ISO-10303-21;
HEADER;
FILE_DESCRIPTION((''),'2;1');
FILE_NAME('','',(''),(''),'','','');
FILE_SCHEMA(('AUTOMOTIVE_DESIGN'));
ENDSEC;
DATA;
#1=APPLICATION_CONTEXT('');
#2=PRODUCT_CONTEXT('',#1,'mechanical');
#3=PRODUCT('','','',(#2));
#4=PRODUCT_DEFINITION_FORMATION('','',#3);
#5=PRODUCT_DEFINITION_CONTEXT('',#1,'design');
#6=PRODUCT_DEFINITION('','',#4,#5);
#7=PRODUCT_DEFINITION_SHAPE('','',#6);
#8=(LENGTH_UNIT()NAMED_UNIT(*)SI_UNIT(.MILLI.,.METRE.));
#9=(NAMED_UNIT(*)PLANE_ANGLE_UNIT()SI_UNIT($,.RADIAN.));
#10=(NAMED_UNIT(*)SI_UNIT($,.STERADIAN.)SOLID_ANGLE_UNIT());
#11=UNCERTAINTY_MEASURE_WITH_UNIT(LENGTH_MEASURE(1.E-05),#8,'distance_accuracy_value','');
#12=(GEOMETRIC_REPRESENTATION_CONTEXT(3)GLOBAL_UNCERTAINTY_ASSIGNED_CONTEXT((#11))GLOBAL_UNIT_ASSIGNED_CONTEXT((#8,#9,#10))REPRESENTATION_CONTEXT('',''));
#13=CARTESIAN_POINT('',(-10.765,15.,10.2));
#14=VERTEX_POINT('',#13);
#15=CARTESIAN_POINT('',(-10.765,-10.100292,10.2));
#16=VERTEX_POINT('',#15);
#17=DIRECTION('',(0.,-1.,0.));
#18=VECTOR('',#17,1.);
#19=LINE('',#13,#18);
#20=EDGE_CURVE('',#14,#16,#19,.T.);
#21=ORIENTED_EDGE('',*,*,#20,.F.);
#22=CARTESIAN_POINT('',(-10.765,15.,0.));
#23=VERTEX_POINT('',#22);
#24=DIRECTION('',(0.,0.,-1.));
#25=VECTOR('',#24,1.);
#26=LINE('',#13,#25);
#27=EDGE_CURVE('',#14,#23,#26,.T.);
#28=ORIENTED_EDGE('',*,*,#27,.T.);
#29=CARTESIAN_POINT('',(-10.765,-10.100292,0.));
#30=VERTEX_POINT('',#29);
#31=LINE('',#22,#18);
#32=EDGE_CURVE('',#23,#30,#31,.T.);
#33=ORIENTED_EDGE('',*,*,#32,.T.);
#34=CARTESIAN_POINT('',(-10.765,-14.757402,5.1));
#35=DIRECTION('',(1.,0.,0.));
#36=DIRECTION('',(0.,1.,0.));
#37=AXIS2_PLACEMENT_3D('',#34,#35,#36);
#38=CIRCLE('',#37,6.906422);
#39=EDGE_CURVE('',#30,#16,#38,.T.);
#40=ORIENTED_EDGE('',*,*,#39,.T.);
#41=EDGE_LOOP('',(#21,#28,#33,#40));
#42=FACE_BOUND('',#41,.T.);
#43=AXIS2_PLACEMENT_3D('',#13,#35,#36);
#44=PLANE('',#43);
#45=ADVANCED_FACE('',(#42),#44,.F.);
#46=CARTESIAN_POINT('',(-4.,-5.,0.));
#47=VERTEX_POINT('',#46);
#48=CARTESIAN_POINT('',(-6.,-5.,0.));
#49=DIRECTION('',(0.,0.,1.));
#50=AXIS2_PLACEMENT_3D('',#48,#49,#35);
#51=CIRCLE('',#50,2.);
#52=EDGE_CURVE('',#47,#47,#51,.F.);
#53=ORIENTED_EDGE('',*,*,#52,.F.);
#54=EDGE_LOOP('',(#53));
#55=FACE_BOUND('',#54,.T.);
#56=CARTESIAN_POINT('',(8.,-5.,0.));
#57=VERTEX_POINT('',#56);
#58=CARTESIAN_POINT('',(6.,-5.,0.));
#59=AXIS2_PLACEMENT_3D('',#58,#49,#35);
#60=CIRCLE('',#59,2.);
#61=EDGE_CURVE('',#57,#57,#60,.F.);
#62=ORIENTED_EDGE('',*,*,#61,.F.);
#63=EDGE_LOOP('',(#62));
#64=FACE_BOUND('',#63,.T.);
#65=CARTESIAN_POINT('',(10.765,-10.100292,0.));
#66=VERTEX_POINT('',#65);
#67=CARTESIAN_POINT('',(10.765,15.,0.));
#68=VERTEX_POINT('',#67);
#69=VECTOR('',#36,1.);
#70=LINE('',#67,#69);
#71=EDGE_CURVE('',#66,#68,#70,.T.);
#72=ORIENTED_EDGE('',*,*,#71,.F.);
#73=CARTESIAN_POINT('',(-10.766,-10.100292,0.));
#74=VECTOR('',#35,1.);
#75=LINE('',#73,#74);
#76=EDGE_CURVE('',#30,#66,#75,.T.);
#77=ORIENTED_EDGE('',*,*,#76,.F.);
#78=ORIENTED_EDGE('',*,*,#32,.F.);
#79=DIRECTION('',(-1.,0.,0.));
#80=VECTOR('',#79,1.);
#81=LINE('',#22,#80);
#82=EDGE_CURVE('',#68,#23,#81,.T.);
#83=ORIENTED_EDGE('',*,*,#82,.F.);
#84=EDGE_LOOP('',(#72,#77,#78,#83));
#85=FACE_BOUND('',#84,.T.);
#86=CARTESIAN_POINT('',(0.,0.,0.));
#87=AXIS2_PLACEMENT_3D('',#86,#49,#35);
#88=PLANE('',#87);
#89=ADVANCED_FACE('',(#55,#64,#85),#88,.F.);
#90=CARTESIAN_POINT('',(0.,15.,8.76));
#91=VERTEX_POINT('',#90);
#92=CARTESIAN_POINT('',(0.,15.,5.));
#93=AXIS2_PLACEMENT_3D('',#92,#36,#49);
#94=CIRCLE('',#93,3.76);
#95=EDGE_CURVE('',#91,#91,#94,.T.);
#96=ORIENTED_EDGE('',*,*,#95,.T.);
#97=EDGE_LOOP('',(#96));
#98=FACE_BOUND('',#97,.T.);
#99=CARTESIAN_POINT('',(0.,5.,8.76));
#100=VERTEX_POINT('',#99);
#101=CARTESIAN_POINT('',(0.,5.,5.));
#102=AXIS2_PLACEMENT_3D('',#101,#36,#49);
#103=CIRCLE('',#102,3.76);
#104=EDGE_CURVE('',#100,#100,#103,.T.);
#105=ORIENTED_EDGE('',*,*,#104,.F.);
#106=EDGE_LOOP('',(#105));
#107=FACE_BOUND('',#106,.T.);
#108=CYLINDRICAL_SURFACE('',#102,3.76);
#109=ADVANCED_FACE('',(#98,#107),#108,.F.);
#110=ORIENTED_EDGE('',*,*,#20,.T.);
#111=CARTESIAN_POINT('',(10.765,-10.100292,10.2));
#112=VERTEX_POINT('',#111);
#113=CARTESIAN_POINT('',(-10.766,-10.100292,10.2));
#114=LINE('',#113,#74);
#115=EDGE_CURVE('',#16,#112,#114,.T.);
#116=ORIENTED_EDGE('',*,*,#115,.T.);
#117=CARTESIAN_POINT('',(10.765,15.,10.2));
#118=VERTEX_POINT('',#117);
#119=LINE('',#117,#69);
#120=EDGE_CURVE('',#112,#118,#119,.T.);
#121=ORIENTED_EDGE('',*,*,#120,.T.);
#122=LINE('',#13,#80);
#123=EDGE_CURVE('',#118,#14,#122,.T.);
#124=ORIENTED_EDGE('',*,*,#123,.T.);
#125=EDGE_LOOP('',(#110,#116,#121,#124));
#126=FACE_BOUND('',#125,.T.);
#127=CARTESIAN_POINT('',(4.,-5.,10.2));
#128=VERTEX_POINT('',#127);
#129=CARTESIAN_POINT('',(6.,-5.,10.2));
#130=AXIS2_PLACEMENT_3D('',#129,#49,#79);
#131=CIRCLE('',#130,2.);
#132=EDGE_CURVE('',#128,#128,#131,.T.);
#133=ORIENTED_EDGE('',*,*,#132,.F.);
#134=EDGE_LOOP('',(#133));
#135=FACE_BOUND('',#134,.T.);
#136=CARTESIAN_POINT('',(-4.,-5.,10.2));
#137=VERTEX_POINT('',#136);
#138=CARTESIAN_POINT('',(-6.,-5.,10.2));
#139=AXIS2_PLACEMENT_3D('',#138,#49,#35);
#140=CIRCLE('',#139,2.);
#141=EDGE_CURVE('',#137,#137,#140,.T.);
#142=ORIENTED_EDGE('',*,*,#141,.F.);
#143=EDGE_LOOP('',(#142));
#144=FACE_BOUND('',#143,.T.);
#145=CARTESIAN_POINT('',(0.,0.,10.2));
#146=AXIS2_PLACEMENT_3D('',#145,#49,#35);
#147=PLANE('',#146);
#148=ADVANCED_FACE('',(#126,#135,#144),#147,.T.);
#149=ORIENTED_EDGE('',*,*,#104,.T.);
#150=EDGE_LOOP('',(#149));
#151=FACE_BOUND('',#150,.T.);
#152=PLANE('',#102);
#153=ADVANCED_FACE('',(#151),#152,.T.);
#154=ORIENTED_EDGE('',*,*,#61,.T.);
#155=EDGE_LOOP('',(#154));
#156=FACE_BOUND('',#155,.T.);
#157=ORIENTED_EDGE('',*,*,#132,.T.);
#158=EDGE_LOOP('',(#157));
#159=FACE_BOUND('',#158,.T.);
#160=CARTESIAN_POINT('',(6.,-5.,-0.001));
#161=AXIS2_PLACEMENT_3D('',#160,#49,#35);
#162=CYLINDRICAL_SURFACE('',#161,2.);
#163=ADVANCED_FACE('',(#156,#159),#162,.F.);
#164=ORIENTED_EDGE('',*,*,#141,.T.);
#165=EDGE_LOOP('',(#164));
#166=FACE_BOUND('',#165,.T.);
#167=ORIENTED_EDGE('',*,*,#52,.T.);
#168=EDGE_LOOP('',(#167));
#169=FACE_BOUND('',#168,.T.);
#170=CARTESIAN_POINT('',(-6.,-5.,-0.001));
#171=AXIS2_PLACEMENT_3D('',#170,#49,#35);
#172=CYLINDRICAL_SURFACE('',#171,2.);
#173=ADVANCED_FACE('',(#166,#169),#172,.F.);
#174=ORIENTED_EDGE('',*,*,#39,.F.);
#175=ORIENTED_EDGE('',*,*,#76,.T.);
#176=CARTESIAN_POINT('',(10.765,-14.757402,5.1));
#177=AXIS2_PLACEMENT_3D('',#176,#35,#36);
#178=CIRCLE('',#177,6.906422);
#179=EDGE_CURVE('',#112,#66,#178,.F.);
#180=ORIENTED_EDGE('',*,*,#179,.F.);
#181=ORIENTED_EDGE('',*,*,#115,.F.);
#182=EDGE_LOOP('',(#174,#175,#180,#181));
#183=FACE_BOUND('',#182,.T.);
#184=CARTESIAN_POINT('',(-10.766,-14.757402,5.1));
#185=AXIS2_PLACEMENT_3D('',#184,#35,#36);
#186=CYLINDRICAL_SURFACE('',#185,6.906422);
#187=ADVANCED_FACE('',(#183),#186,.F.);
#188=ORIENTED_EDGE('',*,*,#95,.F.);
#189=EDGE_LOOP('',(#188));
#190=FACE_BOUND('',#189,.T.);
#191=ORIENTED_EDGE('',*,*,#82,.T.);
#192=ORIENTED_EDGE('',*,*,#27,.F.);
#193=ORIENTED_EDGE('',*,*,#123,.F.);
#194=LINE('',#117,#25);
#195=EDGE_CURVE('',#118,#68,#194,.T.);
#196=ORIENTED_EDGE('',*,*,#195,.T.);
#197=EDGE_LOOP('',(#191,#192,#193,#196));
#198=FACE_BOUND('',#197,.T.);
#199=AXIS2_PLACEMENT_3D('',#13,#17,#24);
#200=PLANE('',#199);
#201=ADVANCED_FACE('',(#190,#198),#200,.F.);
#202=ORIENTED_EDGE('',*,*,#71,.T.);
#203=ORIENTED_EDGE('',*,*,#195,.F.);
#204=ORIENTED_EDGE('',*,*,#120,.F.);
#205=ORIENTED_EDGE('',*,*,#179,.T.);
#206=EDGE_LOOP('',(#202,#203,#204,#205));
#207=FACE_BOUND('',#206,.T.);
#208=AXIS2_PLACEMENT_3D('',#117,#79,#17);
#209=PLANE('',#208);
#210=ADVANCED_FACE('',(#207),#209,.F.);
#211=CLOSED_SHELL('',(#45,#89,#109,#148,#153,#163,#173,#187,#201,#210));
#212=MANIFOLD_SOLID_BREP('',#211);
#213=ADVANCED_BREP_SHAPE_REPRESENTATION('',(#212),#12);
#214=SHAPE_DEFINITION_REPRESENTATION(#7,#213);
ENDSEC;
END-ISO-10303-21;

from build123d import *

# Parameters (mm, degrees)
SKETCH1_W           = 21.53
SKETCH1_H           = 30
BOSS_EXTRUDE1_DEPTH = 10.2
SKETCH2_R           = 3.76
CUT_EXTRUDE1_DEPTH  = 10
CUT_EXTRUDE2_REACH  = 30.153
SKETCH3_W           = 10.2
SKETCH3_H           = 4.899707594
CUT_EXTRUDE3_REACH  = 23.093
SKETCH4_R           = 2


with BuildPart() as part:
    # Sketch1 → Boss-Extrude1 (new body)
    with BuildSketch(Plane.XY):
        Rectangle(SKETCH1_W, SKETCH1_H)
    extrude(amount=BOSS_EXTRUDE1_DEPTH)

    # Sketch2 → Cut-Extrude1 (cut)
    with BuildSketch(Plane(origin=(0, 15, 0), x_dir=(1, 0, 0), z_dir=(0, 1, 0))):
        with Locations(Location((0, -5, 0), (0, 0, 270))):
            Circle(SKETCH2_R)
    extrude(amount=-CUT_EXTRUDE1_DEPTH, mode=Mode.SUBTRACT)

    # Sketch3 → Cut-Extrude2 (cut, up to next)
    with BuildSketch(Plane(origin=(10.765, 0, 0), x_dir=(0, 0, -1), z_dir=(1, 0, 0)), mode=Mode.PRIVATE) as cut_extrude2_sk1:
        with BuildLine():
            ThreePointArc((-10.2, -10.100292406), (-5.1, -7.850979668), (0, -10.100292406))
            Line((0, -10.100292406), (-10.2, -10.100292406))
        make_face()
    cut_extrude2_tool1 = extrude(cut_extrude2_sk1.sketch, amount=-CUT_EXTRUDE2_REACH, mode=Mode.PRIVATE) & part.part
    # Sketch3 → Cut-Extrude2 (cut, up to next)
    with BuildSketch(Plane(origin=(10.765, 0, 0), x_dir=(0, 0, -1), z_dir=(1, 0, 0)), mode=Mode.PRIVATE) as cut_extrude2_sk2:
        with Locations((-5.1, -12.550146203)):
            Rectangle(SKETCH3_W, SKETCH3_H)
    cut_extrude2_tool2 = extrude(cut_extrude2_sk2.sketch, amount=-CUT_EXTRUDE2_REACH, mode=Mode.PRIVATE) & part.part
    add(cut_extrude2_tool1.solids().sort_by_distance((10.765, -9.186693, 5.1))[0], mode=Mode.SUBTRACT)
    add(cut_extrude2_tool2.solids().sort_by_distance((10.765, -12.550146, 5.1))[0], mode=Mode.SUBTRACT)

    # Sketch4 → Cut-Extrude3 (cut, up to next)
    with BuildSketch(Plane.XY.offset(10.2), mode=Mode.PRIVATE) as cut_extrude3_sk1:
        with Locations((-6, -5)):
            Circle(SKETCH4_R)
    cut_extrude3_tool1 = extrude(cut_extrude3_sk1.sketch, amount=-CUT_EXTRUDE3_REACH, mode=Mode.PRIVATE) & part.part
    # Sketch4 → Cut-Extrude3 (cut, up to next)
    with BuildSketch(Plane.XY.offset(10.2), mode=Mode.PRIVATE) as cut_extrude3_sk2:
        with Locations((6, -5)):
            Circle(SKETCH4_R)
    cut_extrude3_tool2 = extrude(cut_extrude3_sk2.sketch, amount=-CUT_EXTRUDE3_REACH, mode=Mode.PRIVATE) & part.part
    add(cut_extrude3_tool1.solids().sort_by_distance((-6, -5, 10.2))[0], mode=Mode.SUBTRACT)
    add(cut_extrude3_tool2.solids().sort_by_distance((6, -5, 10.2))[0], mode=Mode.SUBTRACT)


solid = part.part
